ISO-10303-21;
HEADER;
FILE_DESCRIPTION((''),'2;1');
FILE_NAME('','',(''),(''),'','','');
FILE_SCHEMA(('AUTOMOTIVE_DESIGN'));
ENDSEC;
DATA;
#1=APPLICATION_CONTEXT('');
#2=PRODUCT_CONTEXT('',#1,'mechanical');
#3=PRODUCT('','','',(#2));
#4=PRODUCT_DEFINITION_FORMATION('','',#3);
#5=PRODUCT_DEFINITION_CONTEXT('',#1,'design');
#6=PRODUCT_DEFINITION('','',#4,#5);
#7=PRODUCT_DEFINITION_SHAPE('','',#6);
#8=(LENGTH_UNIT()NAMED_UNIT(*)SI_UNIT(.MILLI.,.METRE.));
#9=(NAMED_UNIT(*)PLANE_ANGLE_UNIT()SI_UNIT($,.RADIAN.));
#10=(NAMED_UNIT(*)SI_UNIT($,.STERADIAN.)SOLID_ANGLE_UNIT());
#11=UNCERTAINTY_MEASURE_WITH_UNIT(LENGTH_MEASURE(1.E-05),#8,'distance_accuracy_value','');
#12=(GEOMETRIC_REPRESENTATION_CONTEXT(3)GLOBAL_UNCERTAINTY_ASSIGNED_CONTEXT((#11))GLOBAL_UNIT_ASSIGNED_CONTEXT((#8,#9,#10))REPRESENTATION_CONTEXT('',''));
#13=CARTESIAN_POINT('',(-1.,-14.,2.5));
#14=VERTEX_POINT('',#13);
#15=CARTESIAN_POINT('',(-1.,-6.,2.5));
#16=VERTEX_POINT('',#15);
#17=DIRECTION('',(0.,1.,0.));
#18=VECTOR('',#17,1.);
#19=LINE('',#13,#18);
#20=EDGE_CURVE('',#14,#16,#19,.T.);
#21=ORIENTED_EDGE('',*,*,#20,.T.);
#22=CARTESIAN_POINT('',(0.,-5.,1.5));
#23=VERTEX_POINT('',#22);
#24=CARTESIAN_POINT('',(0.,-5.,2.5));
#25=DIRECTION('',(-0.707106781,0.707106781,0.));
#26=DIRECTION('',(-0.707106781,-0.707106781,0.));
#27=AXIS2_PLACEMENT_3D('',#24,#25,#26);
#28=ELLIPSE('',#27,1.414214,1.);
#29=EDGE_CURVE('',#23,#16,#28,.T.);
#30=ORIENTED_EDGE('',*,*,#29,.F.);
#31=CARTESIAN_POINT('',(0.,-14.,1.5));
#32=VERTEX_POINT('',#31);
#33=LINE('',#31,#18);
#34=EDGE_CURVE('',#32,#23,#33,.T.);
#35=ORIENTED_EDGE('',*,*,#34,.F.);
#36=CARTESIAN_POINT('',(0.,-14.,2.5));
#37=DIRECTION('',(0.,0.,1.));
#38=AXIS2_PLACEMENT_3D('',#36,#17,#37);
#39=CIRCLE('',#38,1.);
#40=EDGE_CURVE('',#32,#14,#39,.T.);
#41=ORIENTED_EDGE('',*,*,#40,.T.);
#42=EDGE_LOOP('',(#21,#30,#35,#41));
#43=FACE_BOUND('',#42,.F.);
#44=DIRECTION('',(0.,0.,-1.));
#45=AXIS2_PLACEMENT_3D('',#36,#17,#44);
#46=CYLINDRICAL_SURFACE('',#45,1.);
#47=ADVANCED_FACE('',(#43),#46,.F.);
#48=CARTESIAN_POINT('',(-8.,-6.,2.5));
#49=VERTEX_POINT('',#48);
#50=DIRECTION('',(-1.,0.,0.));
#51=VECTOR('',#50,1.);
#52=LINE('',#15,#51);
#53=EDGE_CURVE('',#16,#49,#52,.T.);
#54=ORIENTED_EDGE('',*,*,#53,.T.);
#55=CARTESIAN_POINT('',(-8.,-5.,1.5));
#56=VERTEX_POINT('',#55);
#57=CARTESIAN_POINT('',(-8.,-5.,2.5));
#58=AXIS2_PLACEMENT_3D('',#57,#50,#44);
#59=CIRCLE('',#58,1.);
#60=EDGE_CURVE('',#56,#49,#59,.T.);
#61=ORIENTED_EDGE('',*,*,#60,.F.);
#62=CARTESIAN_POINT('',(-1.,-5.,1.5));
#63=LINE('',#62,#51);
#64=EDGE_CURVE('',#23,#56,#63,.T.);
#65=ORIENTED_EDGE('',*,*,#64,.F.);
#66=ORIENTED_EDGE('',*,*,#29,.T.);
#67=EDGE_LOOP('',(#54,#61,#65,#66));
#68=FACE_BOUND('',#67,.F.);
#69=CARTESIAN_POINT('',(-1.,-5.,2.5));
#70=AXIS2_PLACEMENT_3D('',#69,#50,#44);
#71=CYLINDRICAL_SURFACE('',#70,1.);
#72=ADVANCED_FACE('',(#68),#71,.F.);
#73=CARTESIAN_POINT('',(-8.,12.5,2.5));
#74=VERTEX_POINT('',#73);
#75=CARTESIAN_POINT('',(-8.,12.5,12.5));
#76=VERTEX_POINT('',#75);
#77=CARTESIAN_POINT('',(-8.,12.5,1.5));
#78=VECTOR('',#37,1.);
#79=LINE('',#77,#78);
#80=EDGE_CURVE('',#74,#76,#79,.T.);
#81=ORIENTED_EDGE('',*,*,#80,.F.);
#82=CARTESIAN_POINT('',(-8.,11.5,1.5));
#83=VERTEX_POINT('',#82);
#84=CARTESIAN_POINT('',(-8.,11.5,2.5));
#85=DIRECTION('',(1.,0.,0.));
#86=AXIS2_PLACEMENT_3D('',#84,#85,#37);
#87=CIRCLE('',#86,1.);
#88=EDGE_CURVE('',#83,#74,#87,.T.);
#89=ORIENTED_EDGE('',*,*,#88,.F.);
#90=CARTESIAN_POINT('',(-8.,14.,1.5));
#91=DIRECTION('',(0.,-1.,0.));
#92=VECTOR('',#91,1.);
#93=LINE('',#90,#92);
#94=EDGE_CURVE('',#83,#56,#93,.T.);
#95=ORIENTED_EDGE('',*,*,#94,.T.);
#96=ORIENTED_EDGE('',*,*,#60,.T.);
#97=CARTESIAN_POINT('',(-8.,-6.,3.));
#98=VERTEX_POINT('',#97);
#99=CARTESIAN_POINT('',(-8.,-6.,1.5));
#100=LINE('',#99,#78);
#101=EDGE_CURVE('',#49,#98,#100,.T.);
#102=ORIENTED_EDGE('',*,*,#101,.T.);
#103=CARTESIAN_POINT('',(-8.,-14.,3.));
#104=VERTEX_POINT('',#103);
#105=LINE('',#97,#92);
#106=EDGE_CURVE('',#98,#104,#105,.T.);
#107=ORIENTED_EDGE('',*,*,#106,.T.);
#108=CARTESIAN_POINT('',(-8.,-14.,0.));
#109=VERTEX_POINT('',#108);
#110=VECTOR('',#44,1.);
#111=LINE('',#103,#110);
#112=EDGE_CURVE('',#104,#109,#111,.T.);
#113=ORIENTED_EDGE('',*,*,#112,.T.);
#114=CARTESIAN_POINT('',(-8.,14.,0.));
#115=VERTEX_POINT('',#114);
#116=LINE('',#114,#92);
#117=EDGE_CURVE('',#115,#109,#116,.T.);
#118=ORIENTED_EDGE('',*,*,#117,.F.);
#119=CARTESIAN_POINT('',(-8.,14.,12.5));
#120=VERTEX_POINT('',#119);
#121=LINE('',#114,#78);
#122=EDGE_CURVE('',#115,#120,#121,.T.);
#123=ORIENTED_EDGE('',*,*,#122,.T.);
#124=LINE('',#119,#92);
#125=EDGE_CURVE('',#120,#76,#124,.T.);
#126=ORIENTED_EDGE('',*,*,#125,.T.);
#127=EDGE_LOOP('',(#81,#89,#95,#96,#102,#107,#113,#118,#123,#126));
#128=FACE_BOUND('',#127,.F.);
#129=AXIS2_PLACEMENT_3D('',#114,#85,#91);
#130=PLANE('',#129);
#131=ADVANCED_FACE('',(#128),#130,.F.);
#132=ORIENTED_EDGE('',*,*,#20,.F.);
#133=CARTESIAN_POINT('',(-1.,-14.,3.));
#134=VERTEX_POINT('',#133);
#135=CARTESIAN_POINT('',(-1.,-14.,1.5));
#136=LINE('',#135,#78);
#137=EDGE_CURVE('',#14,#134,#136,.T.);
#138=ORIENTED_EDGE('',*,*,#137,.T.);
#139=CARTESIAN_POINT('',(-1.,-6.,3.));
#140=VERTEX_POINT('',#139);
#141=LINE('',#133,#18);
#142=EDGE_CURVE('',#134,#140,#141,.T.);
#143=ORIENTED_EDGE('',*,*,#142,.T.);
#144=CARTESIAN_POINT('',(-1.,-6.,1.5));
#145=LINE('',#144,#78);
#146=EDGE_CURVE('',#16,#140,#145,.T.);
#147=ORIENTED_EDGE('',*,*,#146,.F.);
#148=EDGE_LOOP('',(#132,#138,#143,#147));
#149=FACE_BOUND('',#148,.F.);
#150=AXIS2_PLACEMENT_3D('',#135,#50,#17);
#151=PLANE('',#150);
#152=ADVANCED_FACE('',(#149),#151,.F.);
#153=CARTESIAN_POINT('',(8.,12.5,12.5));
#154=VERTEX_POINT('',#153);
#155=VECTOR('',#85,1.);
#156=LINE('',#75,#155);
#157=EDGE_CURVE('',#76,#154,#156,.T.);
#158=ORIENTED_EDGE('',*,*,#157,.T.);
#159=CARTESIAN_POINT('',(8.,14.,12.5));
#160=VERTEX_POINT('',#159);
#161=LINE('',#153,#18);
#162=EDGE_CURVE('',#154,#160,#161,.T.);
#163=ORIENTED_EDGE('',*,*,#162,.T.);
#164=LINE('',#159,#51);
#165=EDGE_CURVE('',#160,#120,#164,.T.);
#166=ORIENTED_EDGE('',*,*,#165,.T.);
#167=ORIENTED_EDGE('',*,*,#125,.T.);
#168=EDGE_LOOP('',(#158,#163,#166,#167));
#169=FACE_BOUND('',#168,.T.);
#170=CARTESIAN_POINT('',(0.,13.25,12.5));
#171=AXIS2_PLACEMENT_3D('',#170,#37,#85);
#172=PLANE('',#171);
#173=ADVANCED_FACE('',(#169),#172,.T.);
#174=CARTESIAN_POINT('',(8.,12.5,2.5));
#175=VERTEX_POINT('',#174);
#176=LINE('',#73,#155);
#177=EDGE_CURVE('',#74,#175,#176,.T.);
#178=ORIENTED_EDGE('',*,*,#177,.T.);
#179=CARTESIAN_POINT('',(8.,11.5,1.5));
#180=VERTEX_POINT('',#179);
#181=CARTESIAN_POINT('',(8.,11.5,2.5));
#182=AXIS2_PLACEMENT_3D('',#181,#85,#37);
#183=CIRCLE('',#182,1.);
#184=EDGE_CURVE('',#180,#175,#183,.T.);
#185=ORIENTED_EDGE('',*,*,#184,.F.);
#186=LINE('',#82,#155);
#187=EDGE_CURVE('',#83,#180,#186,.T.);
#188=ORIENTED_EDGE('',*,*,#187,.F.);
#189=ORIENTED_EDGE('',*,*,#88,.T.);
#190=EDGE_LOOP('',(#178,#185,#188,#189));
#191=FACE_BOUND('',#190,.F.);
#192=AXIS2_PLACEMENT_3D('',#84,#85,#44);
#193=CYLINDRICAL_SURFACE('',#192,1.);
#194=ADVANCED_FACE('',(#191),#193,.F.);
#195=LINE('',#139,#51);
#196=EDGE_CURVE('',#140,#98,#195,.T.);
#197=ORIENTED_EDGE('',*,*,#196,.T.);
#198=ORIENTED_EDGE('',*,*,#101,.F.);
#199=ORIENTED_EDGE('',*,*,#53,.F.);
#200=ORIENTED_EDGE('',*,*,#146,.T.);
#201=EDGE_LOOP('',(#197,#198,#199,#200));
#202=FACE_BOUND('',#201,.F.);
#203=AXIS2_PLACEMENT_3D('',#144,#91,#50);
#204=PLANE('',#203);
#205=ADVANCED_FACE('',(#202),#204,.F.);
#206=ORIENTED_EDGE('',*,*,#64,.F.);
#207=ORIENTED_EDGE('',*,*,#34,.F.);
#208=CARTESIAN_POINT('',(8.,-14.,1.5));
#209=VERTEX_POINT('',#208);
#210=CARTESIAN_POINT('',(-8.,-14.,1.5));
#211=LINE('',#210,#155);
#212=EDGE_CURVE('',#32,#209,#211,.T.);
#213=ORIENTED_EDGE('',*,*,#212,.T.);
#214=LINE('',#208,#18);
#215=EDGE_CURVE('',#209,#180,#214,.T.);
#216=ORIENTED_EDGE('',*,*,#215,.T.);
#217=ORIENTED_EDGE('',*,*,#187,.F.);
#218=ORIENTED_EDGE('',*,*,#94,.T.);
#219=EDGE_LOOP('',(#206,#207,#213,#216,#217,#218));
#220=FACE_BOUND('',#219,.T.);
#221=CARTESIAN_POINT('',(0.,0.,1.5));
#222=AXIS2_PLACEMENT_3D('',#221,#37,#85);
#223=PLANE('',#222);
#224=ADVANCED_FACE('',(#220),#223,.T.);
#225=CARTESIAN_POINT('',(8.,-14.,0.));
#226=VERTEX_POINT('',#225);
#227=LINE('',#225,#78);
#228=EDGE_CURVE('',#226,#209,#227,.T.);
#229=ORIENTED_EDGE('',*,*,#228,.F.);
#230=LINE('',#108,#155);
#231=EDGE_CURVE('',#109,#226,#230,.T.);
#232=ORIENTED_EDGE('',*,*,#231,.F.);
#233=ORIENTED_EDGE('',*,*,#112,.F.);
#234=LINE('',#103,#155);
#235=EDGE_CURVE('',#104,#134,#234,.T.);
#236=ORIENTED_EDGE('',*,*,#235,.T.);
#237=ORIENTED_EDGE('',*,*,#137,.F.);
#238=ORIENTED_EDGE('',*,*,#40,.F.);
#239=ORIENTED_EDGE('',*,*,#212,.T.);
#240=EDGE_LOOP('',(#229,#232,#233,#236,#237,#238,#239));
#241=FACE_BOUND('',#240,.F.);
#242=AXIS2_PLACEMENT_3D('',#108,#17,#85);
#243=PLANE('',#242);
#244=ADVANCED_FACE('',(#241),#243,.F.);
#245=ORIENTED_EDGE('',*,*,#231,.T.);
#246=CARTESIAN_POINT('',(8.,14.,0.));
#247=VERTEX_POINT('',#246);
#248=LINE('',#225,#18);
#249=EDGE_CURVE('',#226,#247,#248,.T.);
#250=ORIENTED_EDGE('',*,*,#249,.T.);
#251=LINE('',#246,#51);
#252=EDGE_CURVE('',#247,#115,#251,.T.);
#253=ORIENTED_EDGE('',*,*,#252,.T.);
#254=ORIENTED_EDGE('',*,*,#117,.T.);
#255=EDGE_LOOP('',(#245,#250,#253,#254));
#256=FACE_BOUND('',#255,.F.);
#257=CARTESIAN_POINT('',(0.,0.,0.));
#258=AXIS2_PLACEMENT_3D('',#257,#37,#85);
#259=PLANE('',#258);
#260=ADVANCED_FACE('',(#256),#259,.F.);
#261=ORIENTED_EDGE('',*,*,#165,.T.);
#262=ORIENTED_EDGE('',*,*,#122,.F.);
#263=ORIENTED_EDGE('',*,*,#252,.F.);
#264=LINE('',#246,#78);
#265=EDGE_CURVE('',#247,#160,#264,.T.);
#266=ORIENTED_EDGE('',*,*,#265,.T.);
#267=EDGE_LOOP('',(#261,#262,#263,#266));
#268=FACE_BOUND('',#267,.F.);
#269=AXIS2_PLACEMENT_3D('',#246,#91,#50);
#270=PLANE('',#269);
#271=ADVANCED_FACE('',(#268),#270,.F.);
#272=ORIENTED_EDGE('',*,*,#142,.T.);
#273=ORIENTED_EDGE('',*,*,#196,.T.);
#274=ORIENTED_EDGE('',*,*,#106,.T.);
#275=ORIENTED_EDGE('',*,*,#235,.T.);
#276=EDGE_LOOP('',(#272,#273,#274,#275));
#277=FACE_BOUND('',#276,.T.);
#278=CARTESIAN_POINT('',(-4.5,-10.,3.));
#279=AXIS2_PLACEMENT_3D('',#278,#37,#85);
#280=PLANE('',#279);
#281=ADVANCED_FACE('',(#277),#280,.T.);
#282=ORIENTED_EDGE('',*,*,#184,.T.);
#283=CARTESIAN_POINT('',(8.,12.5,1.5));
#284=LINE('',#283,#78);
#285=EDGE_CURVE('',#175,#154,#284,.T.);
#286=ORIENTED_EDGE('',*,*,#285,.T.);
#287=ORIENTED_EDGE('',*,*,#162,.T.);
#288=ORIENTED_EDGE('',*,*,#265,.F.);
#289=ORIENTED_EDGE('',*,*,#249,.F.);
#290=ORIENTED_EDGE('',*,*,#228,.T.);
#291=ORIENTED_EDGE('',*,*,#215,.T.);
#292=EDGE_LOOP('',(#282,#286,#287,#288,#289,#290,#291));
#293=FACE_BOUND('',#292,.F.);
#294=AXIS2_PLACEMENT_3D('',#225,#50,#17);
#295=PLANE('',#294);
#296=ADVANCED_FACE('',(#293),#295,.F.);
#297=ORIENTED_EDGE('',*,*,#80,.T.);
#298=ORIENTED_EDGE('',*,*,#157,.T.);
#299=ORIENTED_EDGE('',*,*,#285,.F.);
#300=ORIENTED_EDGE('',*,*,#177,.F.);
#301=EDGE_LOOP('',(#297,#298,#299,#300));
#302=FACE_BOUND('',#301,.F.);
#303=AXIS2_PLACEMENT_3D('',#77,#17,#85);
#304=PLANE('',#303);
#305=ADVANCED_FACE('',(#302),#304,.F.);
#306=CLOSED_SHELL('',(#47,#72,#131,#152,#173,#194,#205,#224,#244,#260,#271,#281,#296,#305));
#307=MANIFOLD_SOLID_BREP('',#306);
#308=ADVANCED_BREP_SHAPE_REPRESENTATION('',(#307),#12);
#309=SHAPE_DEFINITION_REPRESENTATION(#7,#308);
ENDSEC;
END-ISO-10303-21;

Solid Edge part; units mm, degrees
sketch "Sketch1" plane through (0, 0, 0) normal (0, 0, 1) x (1, 0, 0)
  line L0 (8, -14) -> (8, 14)
  line L1 (8, 14) -> (-8, 14)
  line L2 (-8, 14) -> (-8, -14)
  line L3 (-8, -14) -> (8, -14)
extrude "Protrusion1" add sketch "Sketch1" along normal blind 1.5
sketch "Sketch2" plane through (0, 0, 1.5) normal (0, 0, 1) x (1, 0, 0)
  line L0 (-8, 12.5) -> (8, 12.5)
  line L1 (8, 12.5) -> (8, 14)
  line L2 (8, 14) -> (-8, 14)
  line L3 (-8, 14) -> (-8, 12.5)
extrude "ExtrudedProtrusion_2" add sketch "Sketch2" along normal blind 11
sketch "Sketch3" plane through (0, -1, 1.5) normal (0, 0, 1) x (0, 1, 0)
  line L0 (-5, 1) -> (-5, 8)
  line L1 (-5, 8) -> (-13, 8)
  line L2 (-13, 8) -> (-13, 1)
  line L3 (-13, 1) -> (-5, 1)
extrude "ExtrudedProtrusion_4" add sketch "Sketch3" along normal blind 1.5
fillet "Round1" radius 1 1 edges at (0, 12.5, 1.5)
fillet "Round_3" radius 1 2 edges at (-4.5, -6, 1.5) (-1, -10, 1.5)
